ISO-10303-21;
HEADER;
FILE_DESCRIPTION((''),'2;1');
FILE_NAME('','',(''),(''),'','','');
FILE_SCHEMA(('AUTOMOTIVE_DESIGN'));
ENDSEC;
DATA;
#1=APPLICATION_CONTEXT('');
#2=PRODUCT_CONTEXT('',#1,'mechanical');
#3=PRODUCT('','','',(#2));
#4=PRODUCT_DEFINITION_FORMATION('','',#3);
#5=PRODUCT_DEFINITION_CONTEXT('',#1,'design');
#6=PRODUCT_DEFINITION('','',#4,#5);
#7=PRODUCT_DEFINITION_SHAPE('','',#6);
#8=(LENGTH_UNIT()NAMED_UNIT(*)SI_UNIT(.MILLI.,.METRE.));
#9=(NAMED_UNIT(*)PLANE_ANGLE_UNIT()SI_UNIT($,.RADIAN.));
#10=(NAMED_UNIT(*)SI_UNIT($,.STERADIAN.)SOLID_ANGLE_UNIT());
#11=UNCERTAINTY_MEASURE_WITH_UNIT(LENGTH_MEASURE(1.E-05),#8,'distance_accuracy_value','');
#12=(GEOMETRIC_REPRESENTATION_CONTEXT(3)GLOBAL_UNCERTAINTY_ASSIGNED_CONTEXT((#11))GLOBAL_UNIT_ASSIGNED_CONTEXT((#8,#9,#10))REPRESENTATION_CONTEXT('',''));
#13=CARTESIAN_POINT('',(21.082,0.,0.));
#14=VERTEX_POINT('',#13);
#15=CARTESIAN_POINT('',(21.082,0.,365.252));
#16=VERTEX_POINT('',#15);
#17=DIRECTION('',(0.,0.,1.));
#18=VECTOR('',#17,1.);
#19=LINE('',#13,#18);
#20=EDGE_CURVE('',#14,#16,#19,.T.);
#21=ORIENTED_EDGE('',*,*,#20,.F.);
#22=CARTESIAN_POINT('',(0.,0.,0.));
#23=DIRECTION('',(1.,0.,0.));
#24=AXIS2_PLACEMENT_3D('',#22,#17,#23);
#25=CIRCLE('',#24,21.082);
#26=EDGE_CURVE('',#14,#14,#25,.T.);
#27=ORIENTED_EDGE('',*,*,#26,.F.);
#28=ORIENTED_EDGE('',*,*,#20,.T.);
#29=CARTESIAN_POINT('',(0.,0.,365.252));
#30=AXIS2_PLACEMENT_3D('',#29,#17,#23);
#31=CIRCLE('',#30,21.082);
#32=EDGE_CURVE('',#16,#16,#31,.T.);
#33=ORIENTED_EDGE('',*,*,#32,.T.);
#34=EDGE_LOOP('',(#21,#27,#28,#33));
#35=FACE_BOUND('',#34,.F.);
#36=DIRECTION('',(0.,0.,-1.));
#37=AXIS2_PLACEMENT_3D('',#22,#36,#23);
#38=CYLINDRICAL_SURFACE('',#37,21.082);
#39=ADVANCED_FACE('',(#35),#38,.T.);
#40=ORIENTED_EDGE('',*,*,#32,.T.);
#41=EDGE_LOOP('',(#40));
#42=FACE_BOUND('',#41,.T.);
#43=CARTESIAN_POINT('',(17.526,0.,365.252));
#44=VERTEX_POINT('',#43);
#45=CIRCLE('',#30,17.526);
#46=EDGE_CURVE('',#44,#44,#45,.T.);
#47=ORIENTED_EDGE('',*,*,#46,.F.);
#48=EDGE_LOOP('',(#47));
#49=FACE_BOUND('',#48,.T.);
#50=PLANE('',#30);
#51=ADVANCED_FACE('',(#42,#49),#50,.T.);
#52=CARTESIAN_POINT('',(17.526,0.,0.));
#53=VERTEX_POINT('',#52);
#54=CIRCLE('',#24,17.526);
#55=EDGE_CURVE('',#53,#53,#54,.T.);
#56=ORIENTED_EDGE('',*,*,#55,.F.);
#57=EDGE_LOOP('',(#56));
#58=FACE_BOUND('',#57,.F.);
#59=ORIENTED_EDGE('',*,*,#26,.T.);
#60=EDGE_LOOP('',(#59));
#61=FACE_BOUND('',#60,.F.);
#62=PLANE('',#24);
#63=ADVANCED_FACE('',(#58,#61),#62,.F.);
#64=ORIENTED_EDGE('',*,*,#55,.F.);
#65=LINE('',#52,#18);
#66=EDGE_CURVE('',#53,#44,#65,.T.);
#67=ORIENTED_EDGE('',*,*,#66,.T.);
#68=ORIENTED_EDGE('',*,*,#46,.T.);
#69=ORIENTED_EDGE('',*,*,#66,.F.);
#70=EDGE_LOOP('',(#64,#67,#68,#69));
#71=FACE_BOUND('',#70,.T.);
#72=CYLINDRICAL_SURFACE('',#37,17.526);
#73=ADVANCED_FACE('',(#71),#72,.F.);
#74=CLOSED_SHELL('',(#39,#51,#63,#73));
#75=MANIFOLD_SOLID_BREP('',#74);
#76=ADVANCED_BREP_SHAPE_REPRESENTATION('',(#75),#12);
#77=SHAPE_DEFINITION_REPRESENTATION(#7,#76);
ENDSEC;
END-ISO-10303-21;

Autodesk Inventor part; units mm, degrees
ref_plane "YZ Plane" through (0, 0, 0) normal (1, 0, 0) x (0, 1, 0)
ref_plane "Start plane" through (0, 0, 0) normal (0, 0, 1) x (1, 0, 0)
ref_plane "End plane" through (0, 0, 365.252) normal (0, 0, 1) x (1, 0, 0)
sketch "Sketch" plane through (0, 0, 0) normal (0, 0, 1) x (1, 0, 0)
  circle A0 centre (0, 0) radius 17.526
  circle A1 centre (0, 0) radius 21.082
  dimension "d0" = 42.164
  dimension "d1" = 3.556
extrude "Body" add sketch "Sketch" along normal up to surface (365.252 mm away) from surface at 0
sketch "Sketch3" plane through (0, 0, 0) normal (0, 0, 1) x (1, 0, 0)
  line L0 (0, 0) -> (10, 0)
ref_plane "Work Plane3" through (0, 0, 0) normal (0, -1, 0) x (1, 0, 0)
sketch "Sketch4" plane through (0, 0, 0) normal (0, -1, 0) x (1, 0, 0)
  line L0 (-2, 0) -> (12, 0)
  line L1 (-2, 365.252) -> (12, 365.252)
  dimension "d7" = 365.252
equation "\"d0\" = G_H"
equation "\"d1\" = G_T"
equation "\"d2\" = G_L"
equation "\"G_H\" = 42.164"
equation "\"G_T\" = 3.556"
equation "\"G_L\" = d7"
equation "\"G_OFFSET_START\" = 0"
equation "\"G_OFFSET_END\" = 0"
equation "\"d5\" = G_OFFSET_END + B_L"
equation "\"B_L\" = 365.252"
properties part number "ANSI - 1 1/4 x 0.140 - 14.38" material "Aluminum 6061"
